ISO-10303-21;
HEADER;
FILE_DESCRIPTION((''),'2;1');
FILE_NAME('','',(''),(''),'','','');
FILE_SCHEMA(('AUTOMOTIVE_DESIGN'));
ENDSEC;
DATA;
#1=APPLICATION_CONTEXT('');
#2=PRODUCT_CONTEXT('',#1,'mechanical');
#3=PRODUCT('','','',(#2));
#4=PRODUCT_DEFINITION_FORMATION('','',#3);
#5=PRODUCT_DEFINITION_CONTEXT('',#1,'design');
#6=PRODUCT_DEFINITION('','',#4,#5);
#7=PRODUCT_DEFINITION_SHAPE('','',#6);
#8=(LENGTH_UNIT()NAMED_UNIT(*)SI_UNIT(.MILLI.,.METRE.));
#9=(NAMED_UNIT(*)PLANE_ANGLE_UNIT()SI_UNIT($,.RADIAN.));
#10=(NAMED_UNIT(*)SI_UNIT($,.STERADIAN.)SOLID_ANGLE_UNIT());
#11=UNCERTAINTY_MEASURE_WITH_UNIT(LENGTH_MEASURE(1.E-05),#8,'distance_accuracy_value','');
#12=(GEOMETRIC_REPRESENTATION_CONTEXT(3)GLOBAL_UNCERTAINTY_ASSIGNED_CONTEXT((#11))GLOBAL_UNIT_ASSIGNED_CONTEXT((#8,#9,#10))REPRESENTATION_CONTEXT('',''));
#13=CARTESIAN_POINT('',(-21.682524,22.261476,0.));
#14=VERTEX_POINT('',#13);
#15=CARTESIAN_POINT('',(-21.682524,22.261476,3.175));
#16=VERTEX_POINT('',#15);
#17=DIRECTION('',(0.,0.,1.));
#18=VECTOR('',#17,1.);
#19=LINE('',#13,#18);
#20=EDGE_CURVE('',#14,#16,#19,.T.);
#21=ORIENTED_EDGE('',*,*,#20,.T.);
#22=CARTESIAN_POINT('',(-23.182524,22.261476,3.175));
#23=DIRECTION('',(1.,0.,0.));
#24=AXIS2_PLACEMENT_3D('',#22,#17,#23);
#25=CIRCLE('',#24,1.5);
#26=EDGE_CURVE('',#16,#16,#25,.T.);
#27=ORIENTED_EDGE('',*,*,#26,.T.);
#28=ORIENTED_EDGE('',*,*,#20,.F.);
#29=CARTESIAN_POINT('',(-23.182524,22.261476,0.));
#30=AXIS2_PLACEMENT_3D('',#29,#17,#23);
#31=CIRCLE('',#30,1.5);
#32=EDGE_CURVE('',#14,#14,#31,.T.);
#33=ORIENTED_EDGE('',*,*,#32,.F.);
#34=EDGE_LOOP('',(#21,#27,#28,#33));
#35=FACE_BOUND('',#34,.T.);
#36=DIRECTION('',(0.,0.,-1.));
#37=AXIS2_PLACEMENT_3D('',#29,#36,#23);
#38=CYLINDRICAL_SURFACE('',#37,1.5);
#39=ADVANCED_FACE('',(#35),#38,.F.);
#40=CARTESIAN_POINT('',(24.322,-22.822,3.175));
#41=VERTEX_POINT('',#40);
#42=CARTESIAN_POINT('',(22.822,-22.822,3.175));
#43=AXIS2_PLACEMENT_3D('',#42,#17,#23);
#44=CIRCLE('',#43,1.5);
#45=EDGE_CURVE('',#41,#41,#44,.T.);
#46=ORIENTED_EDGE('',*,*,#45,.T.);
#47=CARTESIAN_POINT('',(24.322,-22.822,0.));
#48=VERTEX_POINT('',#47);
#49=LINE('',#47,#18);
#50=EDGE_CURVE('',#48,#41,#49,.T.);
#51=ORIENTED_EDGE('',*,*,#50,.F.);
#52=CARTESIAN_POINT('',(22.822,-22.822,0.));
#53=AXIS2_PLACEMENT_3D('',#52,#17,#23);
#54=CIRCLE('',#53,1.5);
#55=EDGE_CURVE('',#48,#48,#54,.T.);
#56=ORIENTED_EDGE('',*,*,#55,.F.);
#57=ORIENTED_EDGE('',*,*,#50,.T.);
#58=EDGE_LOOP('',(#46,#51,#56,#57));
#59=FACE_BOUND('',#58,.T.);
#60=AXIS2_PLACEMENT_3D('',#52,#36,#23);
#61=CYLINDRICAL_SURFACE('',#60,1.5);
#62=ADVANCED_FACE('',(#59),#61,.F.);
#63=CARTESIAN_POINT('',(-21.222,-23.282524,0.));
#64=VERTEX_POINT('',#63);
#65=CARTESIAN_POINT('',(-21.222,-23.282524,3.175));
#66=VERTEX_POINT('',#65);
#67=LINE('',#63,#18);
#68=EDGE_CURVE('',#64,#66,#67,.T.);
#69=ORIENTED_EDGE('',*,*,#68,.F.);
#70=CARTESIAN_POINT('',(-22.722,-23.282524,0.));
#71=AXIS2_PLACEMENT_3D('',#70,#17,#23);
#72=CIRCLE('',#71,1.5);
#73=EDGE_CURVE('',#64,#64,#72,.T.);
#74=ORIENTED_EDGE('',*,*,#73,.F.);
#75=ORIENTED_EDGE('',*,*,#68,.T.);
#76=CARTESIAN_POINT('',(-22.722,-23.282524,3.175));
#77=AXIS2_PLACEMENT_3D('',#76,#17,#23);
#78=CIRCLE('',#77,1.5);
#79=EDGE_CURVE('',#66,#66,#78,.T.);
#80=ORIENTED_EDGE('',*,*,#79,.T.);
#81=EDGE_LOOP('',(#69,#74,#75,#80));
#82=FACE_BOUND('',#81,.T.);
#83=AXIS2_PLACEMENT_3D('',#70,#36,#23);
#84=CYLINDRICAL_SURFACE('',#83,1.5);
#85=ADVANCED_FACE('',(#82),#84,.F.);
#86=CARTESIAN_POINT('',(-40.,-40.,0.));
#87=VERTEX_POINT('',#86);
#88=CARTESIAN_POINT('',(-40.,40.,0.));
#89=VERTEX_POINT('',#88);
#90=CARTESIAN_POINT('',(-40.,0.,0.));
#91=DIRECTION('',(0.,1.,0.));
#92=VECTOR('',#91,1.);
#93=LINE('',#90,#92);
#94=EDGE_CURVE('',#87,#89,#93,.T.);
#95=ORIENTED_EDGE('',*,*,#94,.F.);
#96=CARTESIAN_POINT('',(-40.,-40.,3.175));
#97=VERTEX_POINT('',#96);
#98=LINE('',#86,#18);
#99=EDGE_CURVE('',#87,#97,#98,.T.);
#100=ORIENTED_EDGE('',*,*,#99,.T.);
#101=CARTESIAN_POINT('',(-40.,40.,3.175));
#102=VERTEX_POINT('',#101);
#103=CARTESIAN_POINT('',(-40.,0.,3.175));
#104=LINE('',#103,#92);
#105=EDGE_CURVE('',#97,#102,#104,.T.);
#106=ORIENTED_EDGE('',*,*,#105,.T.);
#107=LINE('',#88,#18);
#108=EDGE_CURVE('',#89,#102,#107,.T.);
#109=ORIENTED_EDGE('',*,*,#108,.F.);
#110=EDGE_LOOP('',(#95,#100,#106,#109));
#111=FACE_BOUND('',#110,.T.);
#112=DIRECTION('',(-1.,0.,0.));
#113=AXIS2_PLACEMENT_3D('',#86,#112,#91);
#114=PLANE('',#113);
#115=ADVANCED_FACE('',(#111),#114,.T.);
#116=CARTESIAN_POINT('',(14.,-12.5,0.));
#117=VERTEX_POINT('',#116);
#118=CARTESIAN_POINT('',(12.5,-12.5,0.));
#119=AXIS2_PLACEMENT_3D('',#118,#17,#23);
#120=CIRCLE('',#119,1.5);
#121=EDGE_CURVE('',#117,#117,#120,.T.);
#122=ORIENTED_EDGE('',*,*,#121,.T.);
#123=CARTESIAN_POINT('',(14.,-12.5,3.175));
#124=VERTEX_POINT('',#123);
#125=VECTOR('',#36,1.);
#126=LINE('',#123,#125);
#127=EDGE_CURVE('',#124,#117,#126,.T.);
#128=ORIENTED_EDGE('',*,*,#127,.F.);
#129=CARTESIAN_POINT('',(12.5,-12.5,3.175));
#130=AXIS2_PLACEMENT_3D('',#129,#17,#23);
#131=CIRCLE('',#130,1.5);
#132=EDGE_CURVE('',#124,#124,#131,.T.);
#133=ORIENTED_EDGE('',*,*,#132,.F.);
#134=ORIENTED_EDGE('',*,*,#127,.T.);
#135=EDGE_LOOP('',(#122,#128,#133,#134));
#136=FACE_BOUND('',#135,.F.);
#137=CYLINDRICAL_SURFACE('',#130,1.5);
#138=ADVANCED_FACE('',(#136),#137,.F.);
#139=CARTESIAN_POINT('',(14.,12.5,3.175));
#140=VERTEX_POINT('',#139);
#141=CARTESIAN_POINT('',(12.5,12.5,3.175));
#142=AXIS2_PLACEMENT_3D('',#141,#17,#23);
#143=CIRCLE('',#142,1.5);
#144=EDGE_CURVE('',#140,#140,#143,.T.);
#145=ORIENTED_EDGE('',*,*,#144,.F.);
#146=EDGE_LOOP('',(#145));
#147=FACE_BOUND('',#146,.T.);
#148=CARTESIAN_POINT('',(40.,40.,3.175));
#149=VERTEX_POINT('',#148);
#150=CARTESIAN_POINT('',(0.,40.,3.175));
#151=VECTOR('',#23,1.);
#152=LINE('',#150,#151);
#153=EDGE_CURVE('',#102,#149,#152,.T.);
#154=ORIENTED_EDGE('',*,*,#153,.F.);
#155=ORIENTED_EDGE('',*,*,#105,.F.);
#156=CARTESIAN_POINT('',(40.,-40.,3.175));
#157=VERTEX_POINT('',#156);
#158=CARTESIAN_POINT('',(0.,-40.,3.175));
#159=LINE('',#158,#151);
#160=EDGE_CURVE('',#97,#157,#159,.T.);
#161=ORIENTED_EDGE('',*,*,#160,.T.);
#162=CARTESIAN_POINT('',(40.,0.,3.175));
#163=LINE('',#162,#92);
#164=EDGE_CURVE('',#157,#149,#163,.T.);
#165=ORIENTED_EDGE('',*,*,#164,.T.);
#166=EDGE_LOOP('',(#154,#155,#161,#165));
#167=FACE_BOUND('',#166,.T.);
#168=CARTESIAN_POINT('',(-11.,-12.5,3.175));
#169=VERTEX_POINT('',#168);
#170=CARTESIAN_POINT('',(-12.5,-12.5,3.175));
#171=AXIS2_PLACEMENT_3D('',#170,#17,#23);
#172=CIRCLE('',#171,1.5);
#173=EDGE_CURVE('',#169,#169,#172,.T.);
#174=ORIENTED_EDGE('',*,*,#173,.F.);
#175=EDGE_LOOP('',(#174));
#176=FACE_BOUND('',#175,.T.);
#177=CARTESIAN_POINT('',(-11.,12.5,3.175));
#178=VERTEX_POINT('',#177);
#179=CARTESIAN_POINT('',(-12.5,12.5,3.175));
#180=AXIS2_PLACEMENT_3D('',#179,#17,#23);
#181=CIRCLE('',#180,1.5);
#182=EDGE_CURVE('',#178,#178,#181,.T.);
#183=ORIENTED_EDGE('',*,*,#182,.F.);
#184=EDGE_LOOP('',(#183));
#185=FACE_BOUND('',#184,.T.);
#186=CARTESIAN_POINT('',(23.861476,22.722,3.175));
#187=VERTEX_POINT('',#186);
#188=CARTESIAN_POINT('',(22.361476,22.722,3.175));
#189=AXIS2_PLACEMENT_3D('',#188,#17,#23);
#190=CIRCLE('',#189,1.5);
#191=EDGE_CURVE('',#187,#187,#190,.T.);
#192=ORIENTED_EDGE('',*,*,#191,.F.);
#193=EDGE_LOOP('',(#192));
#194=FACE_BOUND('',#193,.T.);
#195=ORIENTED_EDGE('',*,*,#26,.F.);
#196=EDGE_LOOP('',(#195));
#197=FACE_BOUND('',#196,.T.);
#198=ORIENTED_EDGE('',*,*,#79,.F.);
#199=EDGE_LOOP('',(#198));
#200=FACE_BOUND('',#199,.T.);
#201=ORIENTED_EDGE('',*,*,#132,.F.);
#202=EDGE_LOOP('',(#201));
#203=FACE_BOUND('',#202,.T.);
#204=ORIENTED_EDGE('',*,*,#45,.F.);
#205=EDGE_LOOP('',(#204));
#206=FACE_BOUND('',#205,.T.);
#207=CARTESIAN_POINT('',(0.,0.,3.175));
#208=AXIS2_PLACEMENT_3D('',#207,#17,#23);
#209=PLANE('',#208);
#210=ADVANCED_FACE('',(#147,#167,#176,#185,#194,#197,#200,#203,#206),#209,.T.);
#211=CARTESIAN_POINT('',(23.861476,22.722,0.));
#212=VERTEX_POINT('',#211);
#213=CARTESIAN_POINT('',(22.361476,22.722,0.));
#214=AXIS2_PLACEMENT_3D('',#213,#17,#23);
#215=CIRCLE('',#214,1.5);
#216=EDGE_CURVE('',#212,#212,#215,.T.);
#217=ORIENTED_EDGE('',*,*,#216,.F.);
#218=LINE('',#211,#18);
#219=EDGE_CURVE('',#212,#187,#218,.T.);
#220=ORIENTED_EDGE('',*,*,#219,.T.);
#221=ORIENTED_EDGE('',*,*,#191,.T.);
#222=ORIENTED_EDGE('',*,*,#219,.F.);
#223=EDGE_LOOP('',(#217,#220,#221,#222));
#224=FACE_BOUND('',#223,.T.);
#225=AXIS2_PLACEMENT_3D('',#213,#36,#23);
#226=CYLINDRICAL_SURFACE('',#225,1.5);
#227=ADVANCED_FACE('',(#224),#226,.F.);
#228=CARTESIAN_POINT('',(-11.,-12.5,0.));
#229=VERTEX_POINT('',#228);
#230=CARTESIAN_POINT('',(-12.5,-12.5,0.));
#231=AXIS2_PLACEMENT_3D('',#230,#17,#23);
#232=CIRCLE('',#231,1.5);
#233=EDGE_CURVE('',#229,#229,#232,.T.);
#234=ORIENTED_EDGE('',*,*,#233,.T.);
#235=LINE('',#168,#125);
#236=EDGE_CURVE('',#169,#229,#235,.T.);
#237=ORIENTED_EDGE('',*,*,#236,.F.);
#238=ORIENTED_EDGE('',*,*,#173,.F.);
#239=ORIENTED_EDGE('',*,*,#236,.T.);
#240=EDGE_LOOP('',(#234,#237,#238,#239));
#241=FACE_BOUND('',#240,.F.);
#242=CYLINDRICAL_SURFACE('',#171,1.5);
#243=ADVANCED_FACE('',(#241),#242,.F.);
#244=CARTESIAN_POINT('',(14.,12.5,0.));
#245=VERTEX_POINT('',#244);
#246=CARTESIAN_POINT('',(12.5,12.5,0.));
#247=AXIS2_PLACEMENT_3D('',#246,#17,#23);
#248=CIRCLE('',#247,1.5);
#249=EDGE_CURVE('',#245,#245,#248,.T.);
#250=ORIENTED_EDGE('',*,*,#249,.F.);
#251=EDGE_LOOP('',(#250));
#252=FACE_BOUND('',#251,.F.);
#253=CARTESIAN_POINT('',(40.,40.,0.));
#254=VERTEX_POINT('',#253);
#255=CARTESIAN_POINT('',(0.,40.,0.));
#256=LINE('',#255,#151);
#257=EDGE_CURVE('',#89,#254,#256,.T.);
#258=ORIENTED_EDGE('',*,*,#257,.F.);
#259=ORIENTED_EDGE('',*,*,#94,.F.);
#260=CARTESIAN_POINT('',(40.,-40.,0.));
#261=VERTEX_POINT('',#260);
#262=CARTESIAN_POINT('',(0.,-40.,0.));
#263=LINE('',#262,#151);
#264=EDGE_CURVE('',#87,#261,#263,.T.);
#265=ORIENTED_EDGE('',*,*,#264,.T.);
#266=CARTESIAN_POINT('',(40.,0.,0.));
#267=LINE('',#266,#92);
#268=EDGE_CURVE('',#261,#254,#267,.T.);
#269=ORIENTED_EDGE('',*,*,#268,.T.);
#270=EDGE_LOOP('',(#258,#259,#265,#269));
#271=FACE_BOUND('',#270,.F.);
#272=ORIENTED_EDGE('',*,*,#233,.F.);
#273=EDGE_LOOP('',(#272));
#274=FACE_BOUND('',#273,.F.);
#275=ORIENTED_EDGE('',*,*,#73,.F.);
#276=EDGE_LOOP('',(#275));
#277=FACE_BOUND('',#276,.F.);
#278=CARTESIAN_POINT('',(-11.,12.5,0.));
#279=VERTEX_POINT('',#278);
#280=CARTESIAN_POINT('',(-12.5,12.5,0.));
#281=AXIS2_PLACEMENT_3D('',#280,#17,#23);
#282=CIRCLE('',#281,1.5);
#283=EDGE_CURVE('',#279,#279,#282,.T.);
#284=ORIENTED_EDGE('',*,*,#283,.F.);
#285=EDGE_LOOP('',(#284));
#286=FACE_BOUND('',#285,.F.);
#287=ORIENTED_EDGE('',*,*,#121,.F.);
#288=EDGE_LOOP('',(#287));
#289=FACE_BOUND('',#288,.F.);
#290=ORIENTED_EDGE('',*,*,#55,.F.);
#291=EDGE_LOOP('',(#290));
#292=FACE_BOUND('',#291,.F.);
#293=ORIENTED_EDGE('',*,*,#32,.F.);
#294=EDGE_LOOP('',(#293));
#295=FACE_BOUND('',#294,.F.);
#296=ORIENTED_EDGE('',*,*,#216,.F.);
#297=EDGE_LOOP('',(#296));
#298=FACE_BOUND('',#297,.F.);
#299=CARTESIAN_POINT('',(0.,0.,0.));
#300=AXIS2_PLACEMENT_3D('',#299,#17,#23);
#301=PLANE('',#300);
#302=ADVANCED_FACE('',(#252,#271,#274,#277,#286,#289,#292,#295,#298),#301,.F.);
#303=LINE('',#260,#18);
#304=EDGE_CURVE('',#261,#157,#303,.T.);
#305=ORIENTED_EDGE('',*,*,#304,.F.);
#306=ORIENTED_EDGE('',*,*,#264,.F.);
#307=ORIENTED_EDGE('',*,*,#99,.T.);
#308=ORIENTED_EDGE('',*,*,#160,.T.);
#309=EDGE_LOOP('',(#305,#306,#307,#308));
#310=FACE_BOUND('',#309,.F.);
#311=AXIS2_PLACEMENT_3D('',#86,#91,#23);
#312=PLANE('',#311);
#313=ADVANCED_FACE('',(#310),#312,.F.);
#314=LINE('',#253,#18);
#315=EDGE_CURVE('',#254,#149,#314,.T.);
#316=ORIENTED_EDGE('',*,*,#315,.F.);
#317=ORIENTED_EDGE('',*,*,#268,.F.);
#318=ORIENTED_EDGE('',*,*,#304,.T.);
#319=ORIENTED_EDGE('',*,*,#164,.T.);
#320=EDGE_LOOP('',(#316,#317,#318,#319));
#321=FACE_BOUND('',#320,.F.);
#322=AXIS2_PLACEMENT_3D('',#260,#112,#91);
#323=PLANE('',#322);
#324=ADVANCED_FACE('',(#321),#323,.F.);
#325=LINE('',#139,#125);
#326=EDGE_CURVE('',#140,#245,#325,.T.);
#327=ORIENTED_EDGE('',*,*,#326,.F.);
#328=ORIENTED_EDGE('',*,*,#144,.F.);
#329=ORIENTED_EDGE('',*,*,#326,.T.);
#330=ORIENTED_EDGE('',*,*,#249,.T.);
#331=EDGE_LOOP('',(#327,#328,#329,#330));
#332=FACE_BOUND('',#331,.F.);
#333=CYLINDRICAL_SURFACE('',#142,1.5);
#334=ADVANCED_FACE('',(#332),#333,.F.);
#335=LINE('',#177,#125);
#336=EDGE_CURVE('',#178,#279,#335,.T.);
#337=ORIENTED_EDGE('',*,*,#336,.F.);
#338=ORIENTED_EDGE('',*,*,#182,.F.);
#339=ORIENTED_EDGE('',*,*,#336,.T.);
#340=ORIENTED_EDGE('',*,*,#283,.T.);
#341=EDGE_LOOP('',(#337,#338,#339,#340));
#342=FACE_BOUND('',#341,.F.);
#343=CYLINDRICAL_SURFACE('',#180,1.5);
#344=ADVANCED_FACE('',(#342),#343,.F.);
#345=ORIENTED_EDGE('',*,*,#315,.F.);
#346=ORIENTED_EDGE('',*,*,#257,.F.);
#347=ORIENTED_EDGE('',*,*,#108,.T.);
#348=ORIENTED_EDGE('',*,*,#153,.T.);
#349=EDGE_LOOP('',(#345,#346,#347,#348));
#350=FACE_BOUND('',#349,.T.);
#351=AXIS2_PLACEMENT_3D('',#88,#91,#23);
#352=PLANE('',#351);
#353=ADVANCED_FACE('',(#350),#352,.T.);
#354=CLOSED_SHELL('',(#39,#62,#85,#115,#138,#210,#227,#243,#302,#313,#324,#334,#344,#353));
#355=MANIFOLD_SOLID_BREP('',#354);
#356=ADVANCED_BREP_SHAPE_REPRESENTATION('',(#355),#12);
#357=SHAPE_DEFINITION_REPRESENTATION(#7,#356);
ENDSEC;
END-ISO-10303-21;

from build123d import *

# Parameters (mm, degrees)
F0_W     = 80
F0_H     = 80
F0_R     = 1.5
F1_DEPTH = 3.175
F2_R     = 1.5
F3_DEPTH = 25


with BuildPart() as f1:
    # F0 (on Top) → F1 (new body)
    with BuildSketch(Plane.XY):
        Rectangle(F0_W, F0_H)
        with Locations((-22.722, -23.282524)):
            Circle(F0_R, mode=Mode.SUBTRACT)
        with Locations((22.822, -22.822)):
            Circle(F0_R, mode=Mode.SUBTRACT)
        with Locations((-23.182524, 22.261476)):
            Circle(F0_R, mode=Mode.SUBTRACT)
        with Locations((22.361476, 22.722)):
            Circle(F0_R, mode=Mode.SUBTRACT)
    extrude(amount=F1_DEPTH)

    # F2 (on face) → F3 (cut)
    with BuildSketch(Plane.XY.offset(3.175)):
        with Locations((-12.5, 12.5)):
            Circle(F2_R)
        with Locations((12.5, 12.5)):
            Circle(F2_R)
        with Locations((12.5, -12.5)):
            Circle(F2_R)
        with Locations((-12.5, -12.5)):
            Circle(F2_R)
    extrude(amount=-F3_DEPTH, mode=Mode.SUBTRACT)


solid = f1.part
